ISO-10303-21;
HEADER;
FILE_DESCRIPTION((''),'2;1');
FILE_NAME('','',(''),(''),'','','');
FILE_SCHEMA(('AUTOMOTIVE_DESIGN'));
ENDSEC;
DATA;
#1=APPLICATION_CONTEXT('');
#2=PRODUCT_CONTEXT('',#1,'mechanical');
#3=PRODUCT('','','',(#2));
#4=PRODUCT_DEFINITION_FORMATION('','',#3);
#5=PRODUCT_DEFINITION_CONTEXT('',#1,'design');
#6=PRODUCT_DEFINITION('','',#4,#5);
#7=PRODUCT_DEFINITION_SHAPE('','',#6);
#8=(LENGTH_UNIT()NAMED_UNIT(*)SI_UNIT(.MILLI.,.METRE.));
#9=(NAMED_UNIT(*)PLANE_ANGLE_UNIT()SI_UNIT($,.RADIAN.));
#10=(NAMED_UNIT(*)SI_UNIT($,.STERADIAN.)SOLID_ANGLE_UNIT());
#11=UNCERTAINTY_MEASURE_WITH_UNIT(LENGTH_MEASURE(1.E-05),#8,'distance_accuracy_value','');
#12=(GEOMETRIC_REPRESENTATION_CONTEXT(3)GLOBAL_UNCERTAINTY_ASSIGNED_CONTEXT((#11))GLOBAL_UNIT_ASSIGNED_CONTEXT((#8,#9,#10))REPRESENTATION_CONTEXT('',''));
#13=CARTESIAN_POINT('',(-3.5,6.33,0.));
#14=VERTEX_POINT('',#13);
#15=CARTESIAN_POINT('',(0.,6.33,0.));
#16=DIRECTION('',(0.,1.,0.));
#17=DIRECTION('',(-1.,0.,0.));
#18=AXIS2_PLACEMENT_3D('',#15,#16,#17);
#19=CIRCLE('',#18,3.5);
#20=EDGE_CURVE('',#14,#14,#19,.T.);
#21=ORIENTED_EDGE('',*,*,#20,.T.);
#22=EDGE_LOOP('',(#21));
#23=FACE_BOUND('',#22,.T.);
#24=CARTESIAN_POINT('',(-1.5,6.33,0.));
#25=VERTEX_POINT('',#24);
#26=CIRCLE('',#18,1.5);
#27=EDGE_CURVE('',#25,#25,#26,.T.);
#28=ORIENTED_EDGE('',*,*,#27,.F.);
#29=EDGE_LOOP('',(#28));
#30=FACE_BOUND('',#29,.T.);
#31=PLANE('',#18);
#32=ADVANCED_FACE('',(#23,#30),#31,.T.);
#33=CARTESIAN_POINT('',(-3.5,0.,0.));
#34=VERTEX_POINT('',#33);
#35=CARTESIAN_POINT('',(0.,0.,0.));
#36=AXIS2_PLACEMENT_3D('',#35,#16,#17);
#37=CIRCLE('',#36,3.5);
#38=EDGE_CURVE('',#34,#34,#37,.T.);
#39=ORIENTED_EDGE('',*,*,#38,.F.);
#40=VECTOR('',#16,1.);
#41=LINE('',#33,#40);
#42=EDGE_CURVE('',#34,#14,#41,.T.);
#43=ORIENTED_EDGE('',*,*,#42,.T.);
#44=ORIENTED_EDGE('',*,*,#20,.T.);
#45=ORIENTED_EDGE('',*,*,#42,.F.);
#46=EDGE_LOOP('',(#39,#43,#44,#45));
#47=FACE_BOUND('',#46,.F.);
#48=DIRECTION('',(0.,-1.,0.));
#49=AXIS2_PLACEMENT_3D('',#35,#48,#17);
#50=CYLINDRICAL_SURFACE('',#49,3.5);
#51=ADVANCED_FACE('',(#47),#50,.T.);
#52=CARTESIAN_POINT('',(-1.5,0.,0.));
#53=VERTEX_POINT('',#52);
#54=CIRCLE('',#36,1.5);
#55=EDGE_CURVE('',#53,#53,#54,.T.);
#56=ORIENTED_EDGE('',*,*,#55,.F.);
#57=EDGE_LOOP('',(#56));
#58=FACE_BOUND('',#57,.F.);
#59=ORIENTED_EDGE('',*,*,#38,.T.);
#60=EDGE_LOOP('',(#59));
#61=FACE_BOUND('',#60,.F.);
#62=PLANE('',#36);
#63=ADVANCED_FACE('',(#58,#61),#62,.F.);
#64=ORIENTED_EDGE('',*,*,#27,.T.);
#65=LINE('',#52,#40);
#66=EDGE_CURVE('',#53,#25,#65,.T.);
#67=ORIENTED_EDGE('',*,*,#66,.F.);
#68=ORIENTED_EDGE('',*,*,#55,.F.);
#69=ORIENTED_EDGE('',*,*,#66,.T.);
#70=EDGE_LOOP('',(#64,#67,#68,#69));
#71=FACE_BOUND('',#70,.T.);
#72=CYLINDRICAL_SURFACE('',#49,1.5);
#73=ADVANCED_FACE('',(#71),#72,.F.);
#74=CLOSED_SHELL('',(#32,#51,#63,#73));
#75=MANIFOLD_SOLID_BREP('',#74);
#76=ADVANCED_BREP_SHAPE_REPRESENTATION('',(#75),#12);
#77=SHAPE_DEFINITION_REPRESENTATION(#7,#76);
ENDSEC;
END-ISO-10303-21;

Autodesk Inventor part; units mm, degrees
ref_plane "YZ Plane" through (0, 0, 0) normal (1, 0, 0) x (0, 1, 0)
ref_plane "XZ Plane" through (0, 0, 0) normal (0, 1, 0) x (-1, 0, 0)
ref_plane "XY Plane" through (0, 0, 0) normal (0, 0, 1) x (1, 0, 0)
sketch "Sketch1" plane through (0, 0, 0) normal (0, 1, 0) x (-1, 0, 0)
  circle A0 centre (0, 0) radius 1.5
  circle A1 centre (0, 0) radius 3.5
  dimension "d0" = 3
  dimension "d1" = 7
extrude "Extrusion1" add sketch "Sketch1" along normal blind 6.33
properties part number "caster-spacer"
